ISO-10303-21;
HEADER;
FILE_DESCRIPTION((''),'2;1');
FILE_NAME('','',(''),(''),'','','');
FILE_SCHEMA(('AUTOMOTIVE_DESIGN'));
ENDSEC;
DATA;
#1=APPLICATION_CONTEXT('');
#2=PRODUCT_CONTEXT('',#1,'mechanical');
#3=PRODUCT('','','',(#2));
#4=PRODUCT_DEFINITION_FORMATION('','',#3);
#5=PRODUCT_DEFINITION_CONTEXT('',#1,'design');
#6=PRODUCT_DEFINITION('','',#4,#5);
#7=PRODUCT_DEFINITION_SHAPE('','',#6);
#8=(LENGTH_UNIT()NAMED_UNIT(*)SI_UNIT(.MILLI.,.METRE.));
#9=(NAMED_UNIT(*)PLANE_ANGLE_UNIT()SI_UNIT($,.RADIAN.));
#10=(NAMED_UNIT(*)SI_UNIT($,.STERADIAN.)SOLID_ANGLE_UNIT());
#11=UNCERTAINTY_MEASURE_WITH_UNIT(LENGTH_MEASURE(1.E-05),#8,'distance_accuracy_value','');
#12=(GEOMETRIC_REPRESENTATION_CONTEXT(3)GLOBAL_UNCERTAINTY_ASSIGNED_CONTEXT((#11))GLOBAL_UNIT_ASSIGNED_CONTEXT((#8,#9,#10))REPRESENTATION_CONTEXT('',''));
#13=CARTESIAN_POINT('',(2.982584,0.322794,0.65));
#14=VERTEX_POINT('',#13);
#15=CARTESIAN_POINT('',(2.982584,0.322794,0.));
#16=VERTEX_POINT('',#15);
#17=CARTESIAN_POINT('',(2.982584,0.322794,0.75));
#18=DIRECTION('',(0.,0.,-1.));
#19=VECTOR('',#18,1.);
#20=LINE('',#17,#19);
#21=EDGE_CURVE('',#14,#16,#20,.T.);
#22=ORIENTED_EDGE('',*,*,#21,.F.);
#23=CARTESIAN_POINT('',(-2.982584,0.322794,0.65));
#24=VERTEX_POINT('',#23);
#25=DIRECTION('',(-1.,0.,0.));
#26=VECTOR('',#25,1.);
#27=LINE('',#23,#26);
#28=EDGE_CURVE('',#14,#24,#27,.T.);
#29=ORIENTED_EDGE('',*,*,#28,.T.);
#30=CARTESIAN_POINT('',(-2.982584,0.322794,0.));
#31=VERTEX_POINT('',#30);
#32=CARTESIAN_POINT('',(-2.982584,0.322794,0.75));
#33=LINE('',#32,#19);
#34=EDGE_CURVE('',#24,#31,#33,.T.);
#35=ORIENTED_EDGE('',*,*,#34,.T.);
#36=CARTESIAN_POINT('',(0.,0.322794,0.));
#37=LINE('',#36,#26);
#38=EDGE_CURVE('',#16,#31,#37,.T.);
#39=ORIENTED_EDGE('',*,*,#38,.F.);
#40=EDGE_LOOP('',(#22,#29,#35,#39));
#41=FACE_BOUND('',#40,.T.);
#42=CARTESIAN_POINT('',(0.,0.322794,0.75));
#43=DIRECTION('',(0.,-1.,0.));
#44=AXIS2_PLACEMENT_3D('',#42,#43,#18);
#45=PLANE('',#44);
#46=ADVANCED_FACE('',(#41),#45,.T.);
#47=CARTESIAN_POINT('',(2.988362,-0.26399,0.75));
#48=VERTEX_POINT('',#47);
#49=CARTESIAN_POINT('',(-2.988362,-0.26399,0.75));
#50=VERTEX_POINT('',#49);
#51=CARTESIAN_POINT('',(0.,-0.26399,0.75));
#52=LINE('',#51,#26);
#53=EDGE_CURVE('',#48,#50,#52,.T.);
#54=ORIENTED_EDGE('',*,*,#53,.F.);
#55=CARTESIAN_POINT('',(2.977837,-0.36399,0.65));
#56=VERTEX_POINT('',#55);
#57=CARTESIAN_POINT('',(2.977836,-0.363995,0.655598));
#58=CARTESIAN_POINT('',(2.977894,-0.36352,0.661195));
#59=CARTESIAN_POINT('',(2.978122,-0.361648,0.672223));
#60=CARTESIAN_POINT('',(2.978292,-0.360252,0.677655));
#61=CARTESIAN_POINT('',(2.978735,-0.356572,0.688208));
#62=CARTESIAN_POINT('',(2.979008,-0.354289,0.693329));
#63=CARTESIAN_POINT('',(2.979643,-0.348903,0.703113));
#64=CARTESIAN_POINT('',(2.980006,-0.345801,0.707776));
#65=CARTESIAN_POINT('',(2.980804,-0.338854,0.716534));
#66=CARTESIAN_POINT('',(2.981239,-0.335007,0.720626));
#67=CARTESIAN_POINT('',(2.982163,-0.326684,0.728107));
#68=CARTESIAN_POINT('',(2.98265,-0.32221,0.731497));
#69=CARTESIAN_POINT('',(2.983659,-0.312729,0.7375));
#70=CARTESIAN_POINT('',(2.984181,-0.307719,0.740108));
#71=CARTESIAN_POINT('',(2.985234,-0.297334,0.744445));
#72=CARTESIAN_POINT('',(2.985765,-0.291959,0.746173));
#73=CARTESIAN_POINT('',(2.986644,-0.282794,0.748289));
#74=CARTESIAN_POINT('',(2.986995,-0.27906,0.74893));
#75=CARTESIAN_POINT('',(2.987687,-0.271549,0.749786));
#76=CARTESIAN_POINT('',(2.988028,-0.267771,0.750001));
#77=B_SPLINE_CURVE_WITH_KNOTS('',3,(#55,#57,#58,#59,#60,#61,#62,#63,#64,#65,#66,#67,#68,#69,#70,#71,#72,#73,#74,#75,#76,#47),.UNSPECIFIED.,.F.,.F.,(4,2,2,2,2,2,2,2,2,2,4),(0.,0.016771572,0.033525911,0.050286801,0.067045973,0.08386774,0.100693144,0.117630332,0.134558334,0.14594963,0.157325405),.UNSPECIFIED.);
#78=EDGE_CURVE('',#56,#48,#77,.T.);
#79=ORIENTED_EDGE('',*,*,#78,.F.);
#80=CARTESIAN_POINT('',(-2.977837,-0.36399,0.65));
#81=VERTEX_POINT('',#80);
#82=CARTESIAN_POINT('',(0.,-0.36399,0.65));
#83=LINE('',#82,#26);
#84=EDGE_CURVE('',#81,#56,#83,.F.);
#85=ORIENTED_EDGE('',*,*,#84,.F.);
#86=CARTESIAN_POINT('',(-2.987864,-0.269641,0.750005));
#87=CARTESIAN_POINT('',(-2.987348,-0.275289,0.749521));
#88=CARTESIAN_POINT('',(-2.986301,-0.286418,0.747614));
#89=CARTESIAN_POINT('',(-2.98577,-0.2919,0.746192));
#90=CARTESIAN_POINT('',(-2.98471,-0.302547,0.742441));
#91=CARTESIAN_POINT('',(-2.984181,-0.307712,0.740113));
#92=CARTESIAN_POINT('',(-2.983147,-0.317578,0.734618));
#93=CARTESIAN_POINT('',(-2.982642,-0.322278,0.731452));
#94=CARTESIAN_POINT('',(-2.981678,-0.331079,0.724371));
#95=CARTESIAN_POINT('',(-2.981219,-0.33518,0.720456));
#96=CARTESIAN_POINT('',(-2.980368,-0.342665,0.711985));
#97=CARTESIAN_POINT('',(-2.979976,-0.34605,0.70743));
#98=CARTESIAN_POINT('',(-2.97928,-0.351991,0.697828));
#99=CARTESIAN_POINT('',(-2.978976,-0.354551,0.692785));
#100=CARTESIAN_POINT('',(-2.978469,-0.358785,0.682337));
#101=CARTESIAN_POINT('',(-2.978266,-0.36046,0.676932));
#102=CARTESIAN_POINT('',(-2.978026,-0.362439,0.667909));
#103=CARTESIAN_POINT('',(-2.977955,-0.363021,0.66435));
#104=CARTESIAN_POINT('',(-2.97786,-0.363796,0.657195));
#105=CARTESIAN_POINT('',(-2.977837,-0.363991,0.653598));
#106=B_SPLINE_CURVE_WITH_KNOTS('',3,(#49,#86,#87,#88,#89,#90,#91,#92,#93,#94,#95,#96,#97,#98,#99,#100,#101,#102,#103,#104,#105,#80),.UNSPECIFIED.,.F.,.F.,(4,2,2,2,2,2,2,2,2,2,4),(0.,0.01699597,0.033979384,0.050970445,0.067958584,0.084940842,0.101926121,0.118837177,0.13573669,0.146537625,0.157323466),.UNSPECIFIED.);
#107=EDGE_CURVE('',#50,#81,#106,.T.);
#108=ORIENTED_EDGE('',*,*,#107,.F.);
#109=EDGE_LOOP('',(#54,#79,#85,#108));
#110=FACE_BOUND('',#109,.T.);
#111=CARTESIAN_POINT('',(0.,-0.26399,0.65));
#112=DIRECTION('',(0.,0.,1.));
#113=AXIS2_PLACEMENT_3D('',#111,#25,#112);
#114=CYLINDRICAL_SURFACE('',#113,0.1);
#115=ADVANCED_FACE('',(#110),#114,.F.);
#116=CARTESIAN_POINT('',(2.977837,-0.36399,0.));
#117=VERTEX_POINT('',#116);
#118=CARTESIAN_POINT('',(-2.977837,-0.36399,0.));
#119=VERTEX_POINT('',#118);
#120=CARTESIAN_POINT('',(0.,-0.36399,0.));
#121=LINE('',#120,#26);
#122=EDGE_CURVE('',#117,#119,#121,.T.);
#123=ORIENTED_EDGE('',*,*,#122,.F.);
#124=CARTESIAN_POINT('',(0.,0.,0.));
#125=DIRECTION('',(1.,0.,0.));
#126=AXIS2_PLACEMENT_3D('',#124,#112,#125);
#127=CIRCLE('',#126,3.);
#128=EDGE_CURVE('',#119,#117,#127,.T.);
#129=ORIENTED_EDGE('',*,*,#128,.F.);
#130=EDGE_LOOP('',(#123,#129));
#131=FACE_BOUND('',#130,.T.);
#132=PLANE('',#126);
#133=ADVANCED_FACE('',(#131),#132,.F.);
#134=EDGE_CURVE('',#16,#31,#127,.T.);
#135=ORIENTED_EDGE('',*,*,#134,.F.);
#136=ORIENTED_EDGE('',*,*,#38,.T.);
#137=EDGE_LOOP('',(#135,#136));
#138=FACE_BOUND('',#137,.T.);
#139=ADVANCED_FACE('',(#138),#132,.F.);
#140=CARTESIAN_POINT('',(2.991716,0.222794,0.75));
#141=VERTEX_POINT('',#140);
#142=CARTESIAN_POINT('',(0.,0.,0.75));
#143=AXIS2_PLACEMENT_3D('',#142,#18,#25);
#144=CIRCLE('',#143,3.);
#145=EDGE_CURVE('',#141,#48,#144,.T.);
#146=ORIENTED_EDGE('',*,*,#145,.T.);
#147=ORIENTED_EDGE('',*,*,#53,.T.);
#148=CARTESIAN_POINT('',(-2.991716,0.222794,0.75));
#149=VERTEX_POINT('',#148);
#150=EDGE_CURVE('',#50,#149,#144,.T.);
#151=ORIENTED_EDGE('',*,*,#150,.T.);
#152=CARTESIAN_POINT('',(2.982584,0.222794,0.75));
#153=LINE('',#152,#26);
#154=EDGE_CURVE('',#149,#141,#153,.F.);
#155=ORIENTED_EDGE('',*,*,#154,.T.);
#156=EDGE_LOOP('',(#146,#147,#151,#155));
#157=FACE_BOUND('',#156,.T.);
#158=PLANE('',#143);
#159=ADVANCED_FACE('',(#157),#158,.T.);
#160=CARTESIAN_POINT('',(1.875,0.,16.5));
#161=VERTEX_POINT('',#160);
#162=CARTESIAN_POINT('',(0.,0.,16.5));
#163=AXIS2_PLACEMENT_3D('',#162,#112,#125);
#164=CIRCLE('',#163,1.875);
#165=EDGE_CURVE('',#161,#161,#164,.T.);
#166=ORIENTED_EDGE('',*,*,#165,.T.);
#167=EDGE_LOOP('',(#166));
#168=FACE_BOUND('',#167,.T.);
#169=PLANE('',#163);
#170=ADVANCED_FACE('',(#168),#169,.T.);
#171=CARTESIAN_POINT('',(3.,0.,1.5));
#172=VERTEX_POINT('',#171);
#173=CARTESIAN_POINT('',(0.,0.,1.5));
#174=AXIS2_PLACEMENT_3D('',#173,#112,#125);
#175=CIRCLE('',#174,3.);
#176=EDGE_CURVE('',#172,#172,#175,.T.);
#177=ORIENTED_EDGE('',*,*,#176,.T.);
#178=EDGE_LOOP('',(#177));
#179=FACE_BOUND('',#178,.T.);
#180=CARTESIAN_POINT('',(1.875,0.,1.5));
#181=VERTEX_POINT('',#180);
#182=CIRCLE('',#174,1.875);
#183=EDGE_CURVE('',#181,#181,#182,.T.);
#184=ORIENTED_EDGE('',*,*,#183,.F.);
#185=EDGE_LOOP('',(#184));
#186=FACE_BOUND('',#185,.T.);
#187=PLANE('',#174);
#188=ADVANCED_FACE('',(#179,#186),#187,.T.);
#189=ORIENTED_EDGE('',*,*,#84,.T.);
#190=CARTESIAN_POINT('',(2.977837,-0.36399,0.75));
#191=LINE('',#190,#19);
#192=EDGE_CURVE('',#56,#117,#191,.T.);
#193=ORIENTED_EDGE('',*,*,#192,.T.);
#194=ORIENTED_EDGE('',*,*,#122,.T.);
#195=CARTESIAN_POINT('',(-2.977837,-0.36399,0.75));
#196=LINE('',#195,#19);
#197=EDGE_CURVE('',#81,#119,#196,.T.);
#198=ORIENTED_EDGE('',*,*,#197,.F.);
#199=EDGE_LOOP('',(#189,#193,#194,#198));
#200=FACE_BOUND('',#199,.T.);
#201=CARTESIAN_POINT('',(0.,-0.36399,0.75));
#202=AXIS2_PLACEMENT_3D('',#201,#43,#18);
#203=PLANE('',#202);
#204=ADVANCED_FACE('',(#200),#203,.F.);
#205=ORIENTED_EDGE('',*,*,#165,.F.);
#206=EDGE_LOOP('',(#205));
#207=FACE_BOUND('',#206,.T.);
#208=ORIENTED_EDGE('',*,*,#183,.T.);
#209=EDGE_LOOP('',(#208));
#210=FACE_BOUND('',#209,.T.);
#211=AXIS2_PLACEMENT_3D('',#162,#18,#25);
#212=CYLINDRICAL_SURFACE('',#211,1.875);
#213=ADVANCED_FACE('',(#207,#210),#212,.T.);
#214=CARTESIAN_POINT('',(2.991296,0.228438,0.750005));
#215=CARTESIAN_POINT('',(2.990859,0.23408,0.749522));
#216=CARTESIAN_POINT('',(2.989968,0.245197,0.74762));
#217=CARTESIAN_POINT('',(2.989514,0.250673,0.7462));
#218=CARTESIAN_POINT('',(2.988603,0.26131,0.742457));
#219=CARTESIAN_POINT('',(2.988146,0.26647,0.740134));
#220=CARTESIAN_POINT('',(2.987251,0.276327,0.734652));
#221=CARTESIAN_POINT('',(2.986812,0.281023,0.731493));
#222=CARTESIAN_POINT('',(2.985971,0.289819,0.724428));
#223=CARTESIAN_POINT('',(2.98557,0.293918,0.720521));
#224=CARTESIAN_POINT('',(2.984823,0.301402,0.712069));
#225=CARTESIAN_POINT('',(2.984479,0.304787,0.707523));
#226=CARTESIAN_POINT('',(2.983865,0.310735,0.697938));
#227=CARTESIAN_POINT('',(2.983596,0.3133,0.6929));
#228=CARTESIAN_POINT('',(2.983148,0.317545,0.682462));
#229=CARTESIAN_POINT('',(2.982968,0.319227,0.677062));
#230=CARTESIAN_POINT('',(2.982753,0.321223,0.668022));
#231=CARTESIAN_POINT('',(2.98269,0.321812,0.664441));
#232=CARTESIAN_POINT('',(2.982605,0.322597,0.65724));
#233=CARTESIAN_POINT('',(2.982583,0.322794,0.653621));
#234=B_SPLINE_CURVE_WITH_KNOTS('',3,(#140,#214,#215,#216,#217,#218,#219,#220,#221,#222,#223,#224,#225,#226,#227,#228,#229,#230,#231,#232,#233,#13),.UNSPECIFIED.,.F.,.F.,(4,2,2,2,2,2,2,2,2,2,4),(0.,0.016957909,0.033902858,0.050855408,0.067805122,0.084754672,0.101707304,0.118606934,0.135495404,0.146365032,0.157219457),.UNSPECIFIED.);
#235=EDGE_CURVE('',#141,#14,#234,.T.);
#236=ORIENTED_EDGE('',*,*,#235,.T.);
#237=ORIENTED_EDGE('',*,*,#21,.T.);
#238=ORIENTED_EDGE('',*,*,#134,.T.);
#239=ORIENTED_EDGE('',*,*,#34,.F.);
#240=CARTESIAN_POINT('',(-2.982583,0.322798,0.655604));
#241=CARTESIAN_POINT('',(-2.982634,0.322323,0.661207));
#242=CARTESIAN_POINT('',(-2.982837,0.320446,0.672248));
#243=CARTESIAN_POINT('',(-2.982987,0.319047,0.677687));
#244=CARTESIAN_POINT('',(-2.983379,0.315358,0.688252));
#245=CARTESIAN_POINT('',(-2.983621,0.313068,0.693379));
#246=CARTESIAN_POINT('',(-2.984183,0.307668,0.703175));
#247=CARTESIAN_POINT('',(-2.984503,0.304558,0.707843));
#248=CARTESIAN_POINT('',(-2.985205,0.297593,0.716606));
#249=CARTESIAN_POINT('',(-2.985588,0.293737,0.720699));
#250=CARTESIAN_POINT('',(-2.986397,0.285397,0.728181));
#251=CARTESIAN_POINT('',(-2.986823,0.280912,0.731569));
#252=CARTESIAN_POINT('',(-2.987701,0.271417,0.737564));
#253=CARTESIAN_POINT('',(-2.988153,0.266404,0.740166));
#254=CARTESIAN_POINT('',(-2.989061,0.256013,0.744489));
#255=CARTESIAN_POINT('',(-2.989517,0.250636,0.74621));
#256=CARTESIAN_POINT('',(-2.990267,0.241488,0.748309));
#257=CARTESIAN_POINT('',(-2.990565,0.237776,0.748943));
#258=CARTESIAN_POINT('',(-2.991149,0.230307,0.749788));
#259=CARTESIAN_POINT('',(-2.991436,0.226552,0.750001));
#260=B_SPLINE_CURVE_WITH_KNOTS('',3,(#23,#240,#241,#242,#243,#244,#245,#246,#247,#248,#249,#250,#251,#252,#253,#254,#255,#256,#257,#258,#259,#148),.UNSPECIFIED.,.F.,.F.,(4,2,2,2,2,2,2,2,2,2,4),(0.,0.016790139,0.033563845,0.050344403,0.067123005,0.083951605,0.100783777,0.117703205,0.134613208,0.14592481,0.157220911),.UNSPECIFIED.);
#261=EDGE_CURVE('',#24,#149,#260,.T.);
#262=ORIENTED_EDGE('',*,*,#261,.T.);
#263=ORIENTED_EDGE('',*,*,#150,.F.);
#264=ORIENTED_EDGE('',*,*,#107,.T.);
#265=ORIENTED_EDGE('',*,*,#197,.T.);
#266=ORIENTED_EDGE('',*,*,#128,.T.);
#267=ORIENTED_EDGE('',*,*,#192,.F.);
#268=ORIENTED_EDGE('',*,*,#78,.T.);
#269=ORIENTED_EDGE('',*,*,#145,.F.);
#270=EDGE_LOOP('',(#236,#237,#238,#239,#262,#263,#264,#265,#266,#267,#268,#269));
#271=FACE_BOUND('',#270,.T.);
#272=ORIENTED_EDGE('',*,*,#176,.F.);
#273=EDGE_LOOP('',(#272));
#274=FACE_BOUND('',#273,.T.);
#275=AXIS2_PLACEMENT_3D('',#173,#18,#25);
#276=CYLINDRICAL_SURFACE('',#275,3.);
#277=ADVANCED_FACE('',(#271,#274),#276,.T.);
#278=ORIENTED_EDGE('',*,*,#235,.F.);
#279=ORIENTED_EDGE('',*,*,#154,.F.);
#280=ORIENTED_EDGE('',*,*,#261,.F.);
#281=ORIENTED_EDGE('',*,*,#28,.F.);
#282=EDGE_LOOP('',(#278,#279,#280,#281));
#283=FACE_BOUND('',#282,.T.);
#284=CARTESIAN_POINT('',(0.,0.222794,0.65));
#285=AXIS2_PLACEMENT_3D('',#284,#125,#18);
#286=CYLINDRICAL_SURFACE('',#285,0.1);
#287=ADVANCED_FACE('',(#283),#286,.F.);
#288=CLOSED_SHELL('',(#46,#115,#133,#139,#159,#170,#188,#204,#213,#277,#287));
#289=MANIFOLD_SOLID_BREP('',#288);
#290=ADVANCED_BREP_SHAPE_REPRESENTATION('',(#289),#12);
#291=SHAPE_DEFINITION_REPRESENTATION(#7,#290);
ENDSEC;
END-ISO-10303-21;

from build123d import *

# Parameters (mm, degrees)
SKETCH1_R           = 3
BOSS_EXTRUDE1_DEPTH = 1.5
SKETCH2_R           = 1.875
BOSS_EXTRUDE2_DEPTH = 15
CUT_EXTRUDE1_DEPTH  = 0.75
FILLET2_R           = 0.1


with BuildPart() as part:
    # Sketch1 → Boss-Extrude1 (new body)
    with BuildSketch(Plane.XY):
        Circle(SKETCH1_R)
    extrude(amount=BOSS_EXTRUDE1_DEPTH)

    # Sketch2 → Boss-Extrude2 (add)
    with BuildSketch(Plane.XY.offset(1.5)):
        Circle(SKETCH2_R)
    extrude(amount=BOSS_EXTRUDE2_DEPTH)

    # Sketch3 → Cut-Extrude1 (cut)
    with BuildSketch(Plane(origin=(0, 0, 0), x_dir=(-1, 0, 0), z_dir=(0, 0, -1))):
        with BuildLine():
            Line((2.977836652, 0.322793516), (-2.982583502, 0.322793516))
            ThreePointArc((-2.982583502, 0.322793516), (-3, 0), (-2.982583502, -0.322793516))
            ThreePointArc((-2.982583502, -0.322793516), (-2.980281261, -0.343400064), (-2.977836652, -0.363990208))
            Line((-2.977836652, -0.363990208), (2.977836652, -0.363990208))
            ThreePointArc((2.977836652, -0.363990208), (2.994454037, -0.182332173), (3, 0))
            ThreePointArc((3, 0), (2.995642711, 0.161631516), (2.982583502, 0.322793516))
            Line((2.982583502, 0.322793516), (2.977836652, 0.322793516))
        make_face()
    extrude(amount=-CUT_EXTRUDE1_DEPTH, mode=Mode.SUBTRACT)

    # Fillet2
    fillet2_edges = [part.edges().sort_by_distance(p)[0] for p in [
        (0, -0.363990208, 0.75),
        (0, 0.322793516, 0.75),
    ]]
    fillet(fillet2_edges, radius=FILLET2_R)


solid = part.part
